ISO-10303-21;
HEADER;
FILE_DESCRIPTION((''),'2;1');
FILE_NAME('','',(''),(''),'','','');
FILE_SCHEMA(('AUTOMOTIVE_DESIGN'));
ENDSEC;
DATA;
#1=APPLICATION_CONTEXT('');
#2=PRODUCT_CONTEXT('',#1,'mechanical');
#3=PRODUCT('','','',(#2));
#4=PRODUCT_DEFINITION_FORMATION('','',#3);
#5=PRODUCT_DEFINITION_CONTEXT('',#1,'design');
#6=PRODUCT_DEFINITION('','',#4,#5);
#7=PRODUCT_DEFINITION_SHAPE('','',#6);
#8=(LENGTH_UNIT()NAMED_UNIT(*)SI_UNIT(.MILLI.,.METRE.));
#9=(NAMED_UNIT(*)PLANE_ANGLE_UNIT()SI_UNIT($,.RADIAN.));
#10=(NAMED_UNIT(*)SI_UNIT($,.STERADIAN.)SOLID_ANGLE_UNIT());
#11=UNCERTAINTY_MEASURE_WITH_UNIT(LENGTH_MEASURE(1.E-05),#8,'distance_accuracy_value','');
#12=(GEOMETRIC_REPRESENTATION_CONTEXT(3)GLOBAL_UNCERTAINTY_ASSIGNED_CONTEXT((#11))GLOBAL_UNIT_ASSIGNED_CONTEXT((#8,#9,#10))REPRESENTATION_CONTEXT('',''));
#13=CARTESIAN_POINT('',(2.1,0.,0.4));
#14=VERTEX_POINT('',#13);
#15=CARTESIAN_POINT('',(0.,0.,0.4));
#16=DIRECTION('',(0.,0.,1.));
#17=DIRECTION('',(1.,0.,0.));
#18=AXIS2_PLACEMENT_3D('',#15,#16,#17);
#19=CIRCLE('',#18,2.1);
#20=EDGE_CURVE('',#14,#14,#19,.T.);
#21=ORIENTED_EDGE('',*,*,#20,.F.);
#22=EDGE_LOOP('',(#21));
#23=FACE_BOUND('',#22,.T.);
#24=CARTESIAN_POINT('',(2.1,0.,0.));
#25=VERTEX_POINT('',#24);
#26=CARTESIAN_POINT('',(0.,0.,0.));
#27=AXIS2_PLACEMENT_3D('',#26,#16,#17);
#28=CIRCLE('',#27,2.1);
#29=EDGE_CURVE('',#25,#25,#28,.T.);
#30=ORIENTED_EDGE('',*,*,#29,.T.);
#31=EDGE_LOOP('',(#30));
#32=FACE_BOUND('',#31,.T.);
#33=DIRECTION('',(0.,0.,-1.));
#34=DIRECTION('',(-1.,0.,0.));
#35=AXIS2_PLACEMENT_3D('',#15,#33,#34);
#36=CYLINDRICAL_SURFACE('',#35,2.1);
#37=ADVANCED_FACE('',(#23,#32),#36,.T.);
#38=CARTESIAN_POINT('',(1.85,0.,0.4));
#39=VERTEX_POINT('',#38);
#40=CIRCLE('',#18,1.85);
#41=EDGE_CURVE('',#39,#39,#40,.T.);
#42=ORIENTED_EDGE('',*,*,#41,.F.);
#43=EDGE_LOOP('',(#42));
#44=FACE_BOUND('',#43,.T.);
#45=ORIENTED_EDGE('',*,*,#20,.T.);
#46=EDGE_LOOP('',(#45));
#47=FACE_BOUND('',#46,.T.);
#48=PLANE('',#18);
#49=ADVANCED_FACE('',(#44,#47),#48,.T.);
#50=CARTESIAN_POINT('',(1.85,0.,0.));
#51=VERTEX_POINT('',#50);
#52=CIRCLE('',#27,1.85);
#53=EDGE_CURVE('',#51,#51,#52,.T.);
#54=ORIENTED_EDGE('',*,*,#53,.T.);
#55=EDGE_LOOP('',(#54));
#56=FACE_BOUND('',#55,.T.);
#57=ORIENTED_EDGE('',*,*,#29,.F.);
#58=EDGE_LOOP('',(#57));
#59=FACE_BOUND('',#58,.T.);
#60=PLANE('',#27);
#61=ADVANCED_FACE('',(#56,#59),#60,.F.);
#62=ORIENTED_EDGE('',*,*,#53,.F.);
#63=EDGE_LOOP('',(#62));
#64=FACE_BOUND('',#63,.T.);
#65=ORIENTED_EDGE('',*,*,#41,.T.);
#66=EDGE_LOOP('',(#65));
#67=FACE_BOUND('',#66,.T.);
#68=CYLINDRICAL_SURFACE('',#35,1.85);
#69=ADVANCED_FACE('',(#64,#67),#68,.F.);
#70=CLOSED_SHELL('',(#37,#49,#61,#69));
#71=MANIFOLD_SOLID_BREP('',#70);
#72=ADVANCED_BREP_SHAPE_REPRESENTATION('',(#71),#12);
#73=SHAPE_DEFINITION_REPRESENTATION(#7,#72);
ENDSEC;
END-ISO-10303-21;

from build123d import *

# Parameters (mm, degrees)
IZIM1_R                     = 2.1
IZIM1_R_2                   = 1.85
Y_KSEKLIK_EKSTR_ZYON1_DEPTH = 0.4


with BuildPart() as part:
    # Çizim1 → Yükseklik-Ekstrüzyon1 (new body)
    with BuildSketch(Plane.XY):
        Circle(IZIM1_R)
        Circle(IZIM1_R_2, mode=Mode.SUBTRACT)
    extrude(amount=Y_KSEKLIK_EKSTR_ZYON1_DEPTH)


solid = part.part
